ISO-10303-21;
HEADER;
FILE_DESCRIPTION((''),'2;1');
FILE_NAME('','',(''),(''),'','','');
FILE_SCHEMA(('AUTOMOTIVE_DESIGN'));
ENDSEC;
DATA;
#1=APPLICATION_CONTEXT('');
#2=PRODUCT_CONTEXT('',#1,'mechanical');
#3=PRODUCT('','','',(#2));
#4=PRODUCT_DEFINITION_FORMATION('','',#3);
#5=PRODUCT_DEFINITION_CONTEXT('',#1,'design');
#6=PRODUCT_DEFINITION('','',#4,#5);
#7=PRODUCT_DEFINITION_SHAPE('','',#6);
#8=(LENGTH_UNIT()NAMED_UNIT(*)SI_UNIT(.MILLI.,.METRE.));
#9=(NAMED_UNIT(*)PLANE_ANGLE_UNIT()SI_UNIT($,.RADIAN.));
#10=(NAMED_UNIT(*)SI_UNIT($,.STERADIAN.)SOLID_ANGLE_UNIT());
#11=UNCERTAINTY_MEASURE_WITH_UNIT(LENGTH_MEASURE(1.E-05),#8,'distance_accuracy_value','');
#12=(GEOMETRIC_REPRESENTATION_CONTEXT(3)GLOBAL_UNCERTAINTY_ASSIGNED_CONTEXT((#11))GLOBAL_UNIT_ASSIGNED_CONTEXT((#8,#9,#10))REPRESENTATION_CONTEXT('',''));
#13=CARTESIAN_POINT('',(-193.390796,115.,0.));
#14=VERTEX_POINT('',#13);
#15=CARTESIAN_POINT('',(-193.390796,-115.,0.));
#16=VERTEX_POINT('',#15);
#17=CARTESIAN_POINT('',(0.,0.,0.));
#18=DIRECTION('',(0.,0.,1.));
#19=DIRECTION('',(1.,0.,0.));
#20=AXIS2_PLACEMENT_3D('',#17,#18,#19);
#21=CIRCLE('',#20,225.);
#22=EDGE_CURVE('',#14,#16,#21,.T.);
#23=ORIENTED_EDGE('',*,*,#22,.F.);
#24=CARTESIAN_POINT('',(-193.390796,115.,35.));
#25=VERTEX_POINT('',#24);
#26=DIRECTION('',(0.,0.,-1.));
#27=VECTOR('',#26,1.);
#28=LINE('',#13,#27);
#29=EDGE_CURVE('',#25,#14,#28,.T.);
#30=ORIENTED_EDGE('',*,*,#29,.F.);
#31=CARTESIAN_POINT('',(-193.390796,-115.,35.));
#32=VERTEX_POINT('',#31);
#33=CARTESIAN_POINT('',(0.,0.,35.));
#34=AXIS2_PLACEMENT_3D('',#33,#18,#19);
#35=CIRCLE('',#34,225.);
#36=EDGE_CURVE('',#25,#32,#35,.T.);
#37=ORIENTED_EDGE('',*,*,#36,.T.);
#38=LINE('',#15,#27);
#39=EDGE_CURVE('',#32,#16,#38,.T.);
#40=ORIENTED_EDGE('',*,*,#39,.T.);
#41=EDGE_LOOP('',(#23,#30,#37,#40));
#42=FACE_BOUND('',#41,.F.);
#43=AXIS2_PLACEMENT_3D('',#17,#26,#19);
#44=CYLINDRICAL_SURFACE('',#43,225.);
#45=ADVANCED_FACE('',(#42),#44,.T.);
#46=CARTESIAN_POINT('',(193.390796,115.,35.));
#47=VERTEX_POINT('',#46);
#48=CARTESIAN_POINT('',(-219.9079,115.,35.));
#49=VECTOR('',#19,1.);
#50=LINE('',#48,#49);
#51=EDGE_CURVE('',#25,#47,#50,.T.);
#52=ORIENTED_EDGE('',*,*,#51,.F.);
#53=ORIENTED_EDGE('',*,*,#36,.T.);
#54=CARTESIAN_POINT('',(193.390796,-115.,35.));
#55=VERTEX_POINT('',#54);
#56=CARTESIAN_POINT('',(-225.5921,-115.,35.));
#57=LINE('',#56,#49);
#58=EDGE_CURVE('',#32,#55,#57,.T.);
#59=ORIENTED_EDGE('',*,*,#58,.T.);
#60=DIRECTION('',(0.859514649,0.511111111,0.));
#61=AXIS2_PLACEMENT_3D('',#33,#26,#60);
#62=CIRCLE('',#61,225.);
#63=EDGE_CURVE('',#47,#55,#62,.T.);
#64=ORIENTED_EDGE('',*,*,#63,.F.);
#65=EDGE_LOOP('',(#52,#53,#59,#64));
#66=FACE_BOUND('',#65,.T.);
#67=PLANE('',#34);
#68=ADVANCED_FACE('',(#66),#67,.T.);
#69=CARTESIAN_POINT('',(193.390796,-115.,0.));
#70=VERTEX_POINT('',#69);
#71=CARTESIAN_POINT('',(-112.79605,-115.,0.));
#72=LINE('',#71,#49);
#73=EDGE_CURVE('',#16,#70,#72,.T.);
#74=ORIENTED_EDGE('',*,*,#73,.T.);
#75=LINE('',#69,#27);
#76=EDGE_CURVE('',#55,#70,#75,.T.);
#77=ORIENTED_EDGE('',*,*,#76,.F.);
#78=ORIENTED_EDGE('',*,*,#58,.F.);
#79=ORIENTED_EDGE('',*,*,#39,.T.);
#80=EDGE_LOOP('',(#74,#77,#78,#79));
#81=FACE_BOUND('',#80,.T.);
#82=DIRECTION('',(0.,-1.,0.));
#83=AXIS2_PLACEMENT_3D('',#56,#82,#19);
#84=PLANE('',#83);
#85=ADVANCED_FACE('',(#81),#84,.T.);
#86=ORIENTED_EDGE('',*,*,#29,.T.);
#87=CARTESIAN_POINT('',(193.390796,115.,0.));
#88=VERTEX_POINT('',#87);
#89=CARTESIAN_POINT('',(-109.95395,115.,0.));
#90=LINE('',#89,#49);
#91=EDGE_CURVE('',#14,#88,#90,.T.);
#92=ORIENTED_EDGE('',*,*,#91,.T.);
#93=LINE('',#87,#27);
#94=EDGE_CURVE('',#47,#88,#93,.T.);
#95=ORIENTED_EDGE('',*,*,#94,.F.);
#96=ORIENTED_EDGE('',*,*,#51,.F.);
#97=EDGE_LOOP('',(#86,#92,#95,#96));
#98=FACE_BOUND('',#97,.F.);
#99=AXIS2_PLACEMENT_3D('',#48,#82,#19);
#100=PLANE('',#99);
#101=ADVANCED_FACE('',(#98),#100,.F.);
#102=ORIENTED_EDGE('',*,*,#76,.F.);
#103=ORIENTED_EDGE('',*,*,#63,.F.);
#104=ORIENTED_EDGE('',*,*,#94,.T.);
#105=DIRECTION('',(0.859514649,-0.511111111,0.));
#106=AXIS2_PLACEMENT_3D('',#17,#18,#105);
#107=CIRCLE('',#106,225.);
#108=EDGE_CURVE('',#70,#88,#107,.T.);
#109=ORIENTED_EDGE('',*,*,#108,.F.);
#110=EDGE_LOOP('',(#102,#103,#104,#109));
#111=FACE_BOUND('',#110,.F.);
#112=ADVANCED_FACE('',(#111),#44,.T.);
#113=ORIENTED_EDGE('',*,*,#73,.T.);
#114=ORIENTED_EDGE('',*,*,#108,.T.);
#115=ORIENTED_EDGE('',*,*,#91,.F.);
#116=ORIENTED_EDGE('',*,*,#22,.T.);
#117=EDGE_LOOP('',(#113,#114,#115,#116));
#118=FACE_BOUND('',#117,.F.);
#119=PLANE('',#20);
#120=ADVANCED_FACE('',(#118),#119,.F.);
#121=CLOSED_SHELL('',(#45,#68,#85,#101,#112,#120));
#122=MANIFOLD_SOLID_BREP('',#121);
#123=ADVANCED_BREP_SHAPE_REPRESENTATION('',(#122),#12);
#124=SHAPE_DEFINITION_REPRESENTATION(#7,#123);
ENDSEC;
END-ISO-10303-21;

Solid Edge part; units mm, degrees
sketch "Sketch1" plane through (0, 0, 0) normal (0, 0, 1) x (1, 0, 0)
  circle A0 centre (0, 0) radius 225
extrude "Protrusion1" add sketch "Sketch1" along normal blind 35
sketch "Sketch2" plane through (0, 0, 35) normal (0, 0, 1) x (1, 0, 0)
  line L0 (-225.5921, -115) -> (328.6184, -115)
  line L1 (328.6184, -115) -> (328.6184, -246.5526)
  line L2 (328.6184, -246.5526) -> (-225.5921, -246.5526)
  line L3 (-225.5921, -246.5526) -> (-225.5921, -115)
  line L4 (-219.9079, 268.5789) -> (-219.9079, 115)
  line L5 (-219.9079, 115) -> (303.0395, 115)
  line L6 (303.0395, 115) -> (303.0395, 268.5789)
  line L7 (303.0395, 268.5789) -> (-219.9079, 268.5789)
  dimension "D1" = 230
  dimension "D2" = 115
extrude "Cutout1" cut sketch "Sketch2" against normal through all
